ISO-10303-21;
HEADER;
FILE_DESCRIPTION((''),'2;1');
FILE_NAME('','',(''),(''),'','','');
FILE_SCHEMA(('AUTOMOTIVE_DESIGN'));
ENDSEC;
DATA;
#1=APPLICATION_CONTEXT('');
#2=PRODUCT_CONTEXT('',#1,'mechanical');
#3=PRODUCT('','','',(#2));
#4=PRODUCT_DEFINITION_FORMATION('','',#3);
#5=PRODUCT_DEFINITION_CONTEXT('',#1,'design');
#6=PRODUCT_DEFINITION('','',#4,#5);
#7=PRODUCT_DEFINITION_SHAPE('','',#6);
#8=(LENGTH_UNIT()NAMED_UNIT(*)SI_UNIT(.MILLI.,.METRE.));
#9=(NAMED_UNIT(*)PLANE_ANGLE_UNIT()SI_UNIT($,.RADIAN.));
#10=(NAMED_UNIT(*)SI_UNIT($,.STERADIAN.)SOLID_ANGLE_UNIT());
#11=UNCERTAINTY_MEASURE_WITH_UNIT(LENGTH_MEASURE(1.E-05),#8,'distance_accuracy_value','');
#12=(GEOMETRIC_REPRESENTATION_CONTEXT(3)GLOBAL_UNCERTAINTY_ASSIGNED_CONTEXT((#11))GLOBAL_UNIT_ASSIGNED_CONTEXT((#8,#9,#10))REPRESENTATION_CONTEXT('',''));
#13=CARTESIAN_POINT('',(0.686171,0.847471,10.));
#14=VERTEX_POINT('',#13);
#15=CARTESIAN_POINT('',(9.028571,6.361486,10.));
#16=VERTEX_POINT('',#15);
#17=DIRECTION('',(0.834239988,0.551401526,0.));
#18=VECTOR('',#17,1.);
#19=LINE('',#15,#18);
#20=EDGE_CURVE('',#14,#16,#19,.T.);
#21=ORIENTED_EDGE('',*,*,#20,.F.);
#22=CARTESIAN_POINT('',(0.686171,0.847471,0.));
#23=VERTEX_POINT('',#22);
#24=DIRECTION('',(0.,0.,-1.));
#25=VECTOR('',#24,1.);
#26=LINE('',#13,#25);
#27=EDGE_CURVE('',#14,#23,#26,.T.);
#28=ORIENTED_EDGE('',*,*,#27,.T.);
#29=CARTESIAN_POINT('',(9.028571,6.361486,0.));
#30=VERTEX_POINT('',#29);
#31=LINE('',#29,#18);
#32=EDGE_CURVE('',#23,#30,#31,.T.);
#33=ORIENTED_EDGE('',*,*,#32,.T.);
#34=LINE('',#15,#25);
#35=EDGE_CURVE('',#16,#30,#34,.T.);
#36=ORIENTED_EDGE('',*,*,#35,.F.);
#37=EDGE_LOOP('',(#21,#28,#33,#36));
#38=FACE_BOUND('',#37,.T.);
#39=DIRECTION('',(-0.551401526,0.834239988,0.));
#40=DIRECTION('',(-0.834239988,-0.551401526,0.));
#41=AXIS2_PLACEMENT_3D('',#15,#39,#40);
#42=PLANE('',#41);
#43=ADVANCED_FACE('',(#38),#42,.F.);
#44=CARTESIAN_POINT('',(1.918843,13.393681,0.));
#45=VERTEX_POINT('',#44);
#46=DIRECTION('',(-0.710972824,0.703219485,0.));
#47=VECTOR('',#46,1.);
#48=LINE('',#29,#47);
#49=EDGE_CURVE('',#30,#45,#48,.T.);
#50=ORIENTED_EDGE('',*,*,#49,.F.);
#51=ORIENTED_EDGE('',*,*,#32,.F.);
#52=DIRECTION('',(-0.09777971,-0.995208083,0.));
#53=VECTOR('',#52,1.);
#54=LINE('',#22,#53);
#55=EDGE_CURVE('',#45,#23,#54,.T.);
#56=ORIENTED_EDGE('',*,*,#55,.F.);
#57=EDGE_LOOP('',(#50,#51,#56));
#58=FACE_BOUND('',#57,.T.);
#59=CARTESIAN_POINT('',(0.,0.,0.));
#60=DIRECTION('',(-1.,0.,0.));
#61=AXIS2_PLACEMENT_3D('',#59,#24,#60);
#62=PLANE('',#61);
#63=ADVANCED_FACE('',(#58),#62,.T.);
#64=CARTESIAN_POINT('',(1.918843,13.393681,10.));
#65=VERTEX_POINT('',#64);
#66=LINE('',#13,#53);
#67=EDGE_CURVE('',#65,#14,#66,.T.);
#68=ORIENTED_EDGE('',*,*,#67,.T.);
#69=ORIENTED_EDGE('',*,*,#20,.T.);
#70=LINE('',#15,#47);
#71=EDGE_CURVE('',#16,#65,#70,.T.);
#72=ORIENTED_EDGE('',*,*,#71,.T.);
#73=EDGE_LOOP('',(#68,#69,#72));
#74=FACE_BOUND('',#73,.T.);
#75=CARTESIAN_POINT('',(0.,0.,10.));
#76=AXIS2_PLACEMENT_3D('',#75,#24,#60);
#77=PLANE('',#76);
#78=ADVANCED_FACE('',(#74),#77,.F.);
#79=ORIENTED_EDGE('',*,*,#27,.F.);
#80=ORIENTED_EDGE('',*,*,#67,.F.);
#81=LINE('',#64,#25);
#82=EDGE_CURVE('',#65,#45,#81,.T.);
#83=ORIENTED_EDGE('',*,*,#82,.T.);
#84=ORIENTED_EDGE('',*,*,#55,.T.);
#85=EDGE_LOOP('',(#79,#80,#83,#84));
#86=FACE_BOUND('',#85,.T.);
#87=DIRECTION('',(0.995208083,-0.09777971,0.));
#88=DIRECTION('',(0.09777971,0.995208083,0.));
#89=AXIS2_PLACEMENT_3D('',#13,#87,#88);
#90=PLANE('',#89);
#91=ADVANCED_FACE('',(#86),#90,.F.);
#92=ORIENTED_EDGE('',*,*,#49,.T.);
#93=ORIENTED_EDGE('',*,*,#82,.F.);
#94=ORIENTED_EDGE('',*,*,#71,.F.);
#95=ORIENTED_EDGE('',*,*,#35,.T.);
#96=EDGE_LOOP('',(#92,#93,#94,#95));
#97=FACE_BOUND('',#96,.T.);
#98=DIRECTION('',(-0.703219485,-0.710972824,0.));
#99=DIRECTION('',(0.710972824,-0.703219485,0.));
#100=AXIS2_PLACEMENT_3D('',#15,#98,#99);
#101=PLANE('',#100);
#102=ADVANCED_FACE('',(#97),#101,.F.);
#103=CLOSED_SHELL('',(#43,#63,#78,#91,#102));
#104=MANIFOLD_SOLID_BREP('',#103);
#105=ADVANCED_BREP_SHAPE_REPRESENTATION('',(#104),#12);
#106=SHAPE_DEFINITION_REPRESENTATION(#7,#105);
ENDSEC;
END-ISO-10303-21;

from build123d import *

# Parameters (mm, degrees)
EXTRUDE_1_DEPTH = 10


with BuildPart() as part:
    # 草图2 → 凸台-拉伸1 (new body)
    with BuildSketch(Plane.XY):
        Polygon((9.028570852, 6.361486365), (1.918842616, 13.393681215), (0.686170974, 0.847471105), align=None)
    extrude(amount=EXTRUDE_1_DEPTH)


solid = part.part
